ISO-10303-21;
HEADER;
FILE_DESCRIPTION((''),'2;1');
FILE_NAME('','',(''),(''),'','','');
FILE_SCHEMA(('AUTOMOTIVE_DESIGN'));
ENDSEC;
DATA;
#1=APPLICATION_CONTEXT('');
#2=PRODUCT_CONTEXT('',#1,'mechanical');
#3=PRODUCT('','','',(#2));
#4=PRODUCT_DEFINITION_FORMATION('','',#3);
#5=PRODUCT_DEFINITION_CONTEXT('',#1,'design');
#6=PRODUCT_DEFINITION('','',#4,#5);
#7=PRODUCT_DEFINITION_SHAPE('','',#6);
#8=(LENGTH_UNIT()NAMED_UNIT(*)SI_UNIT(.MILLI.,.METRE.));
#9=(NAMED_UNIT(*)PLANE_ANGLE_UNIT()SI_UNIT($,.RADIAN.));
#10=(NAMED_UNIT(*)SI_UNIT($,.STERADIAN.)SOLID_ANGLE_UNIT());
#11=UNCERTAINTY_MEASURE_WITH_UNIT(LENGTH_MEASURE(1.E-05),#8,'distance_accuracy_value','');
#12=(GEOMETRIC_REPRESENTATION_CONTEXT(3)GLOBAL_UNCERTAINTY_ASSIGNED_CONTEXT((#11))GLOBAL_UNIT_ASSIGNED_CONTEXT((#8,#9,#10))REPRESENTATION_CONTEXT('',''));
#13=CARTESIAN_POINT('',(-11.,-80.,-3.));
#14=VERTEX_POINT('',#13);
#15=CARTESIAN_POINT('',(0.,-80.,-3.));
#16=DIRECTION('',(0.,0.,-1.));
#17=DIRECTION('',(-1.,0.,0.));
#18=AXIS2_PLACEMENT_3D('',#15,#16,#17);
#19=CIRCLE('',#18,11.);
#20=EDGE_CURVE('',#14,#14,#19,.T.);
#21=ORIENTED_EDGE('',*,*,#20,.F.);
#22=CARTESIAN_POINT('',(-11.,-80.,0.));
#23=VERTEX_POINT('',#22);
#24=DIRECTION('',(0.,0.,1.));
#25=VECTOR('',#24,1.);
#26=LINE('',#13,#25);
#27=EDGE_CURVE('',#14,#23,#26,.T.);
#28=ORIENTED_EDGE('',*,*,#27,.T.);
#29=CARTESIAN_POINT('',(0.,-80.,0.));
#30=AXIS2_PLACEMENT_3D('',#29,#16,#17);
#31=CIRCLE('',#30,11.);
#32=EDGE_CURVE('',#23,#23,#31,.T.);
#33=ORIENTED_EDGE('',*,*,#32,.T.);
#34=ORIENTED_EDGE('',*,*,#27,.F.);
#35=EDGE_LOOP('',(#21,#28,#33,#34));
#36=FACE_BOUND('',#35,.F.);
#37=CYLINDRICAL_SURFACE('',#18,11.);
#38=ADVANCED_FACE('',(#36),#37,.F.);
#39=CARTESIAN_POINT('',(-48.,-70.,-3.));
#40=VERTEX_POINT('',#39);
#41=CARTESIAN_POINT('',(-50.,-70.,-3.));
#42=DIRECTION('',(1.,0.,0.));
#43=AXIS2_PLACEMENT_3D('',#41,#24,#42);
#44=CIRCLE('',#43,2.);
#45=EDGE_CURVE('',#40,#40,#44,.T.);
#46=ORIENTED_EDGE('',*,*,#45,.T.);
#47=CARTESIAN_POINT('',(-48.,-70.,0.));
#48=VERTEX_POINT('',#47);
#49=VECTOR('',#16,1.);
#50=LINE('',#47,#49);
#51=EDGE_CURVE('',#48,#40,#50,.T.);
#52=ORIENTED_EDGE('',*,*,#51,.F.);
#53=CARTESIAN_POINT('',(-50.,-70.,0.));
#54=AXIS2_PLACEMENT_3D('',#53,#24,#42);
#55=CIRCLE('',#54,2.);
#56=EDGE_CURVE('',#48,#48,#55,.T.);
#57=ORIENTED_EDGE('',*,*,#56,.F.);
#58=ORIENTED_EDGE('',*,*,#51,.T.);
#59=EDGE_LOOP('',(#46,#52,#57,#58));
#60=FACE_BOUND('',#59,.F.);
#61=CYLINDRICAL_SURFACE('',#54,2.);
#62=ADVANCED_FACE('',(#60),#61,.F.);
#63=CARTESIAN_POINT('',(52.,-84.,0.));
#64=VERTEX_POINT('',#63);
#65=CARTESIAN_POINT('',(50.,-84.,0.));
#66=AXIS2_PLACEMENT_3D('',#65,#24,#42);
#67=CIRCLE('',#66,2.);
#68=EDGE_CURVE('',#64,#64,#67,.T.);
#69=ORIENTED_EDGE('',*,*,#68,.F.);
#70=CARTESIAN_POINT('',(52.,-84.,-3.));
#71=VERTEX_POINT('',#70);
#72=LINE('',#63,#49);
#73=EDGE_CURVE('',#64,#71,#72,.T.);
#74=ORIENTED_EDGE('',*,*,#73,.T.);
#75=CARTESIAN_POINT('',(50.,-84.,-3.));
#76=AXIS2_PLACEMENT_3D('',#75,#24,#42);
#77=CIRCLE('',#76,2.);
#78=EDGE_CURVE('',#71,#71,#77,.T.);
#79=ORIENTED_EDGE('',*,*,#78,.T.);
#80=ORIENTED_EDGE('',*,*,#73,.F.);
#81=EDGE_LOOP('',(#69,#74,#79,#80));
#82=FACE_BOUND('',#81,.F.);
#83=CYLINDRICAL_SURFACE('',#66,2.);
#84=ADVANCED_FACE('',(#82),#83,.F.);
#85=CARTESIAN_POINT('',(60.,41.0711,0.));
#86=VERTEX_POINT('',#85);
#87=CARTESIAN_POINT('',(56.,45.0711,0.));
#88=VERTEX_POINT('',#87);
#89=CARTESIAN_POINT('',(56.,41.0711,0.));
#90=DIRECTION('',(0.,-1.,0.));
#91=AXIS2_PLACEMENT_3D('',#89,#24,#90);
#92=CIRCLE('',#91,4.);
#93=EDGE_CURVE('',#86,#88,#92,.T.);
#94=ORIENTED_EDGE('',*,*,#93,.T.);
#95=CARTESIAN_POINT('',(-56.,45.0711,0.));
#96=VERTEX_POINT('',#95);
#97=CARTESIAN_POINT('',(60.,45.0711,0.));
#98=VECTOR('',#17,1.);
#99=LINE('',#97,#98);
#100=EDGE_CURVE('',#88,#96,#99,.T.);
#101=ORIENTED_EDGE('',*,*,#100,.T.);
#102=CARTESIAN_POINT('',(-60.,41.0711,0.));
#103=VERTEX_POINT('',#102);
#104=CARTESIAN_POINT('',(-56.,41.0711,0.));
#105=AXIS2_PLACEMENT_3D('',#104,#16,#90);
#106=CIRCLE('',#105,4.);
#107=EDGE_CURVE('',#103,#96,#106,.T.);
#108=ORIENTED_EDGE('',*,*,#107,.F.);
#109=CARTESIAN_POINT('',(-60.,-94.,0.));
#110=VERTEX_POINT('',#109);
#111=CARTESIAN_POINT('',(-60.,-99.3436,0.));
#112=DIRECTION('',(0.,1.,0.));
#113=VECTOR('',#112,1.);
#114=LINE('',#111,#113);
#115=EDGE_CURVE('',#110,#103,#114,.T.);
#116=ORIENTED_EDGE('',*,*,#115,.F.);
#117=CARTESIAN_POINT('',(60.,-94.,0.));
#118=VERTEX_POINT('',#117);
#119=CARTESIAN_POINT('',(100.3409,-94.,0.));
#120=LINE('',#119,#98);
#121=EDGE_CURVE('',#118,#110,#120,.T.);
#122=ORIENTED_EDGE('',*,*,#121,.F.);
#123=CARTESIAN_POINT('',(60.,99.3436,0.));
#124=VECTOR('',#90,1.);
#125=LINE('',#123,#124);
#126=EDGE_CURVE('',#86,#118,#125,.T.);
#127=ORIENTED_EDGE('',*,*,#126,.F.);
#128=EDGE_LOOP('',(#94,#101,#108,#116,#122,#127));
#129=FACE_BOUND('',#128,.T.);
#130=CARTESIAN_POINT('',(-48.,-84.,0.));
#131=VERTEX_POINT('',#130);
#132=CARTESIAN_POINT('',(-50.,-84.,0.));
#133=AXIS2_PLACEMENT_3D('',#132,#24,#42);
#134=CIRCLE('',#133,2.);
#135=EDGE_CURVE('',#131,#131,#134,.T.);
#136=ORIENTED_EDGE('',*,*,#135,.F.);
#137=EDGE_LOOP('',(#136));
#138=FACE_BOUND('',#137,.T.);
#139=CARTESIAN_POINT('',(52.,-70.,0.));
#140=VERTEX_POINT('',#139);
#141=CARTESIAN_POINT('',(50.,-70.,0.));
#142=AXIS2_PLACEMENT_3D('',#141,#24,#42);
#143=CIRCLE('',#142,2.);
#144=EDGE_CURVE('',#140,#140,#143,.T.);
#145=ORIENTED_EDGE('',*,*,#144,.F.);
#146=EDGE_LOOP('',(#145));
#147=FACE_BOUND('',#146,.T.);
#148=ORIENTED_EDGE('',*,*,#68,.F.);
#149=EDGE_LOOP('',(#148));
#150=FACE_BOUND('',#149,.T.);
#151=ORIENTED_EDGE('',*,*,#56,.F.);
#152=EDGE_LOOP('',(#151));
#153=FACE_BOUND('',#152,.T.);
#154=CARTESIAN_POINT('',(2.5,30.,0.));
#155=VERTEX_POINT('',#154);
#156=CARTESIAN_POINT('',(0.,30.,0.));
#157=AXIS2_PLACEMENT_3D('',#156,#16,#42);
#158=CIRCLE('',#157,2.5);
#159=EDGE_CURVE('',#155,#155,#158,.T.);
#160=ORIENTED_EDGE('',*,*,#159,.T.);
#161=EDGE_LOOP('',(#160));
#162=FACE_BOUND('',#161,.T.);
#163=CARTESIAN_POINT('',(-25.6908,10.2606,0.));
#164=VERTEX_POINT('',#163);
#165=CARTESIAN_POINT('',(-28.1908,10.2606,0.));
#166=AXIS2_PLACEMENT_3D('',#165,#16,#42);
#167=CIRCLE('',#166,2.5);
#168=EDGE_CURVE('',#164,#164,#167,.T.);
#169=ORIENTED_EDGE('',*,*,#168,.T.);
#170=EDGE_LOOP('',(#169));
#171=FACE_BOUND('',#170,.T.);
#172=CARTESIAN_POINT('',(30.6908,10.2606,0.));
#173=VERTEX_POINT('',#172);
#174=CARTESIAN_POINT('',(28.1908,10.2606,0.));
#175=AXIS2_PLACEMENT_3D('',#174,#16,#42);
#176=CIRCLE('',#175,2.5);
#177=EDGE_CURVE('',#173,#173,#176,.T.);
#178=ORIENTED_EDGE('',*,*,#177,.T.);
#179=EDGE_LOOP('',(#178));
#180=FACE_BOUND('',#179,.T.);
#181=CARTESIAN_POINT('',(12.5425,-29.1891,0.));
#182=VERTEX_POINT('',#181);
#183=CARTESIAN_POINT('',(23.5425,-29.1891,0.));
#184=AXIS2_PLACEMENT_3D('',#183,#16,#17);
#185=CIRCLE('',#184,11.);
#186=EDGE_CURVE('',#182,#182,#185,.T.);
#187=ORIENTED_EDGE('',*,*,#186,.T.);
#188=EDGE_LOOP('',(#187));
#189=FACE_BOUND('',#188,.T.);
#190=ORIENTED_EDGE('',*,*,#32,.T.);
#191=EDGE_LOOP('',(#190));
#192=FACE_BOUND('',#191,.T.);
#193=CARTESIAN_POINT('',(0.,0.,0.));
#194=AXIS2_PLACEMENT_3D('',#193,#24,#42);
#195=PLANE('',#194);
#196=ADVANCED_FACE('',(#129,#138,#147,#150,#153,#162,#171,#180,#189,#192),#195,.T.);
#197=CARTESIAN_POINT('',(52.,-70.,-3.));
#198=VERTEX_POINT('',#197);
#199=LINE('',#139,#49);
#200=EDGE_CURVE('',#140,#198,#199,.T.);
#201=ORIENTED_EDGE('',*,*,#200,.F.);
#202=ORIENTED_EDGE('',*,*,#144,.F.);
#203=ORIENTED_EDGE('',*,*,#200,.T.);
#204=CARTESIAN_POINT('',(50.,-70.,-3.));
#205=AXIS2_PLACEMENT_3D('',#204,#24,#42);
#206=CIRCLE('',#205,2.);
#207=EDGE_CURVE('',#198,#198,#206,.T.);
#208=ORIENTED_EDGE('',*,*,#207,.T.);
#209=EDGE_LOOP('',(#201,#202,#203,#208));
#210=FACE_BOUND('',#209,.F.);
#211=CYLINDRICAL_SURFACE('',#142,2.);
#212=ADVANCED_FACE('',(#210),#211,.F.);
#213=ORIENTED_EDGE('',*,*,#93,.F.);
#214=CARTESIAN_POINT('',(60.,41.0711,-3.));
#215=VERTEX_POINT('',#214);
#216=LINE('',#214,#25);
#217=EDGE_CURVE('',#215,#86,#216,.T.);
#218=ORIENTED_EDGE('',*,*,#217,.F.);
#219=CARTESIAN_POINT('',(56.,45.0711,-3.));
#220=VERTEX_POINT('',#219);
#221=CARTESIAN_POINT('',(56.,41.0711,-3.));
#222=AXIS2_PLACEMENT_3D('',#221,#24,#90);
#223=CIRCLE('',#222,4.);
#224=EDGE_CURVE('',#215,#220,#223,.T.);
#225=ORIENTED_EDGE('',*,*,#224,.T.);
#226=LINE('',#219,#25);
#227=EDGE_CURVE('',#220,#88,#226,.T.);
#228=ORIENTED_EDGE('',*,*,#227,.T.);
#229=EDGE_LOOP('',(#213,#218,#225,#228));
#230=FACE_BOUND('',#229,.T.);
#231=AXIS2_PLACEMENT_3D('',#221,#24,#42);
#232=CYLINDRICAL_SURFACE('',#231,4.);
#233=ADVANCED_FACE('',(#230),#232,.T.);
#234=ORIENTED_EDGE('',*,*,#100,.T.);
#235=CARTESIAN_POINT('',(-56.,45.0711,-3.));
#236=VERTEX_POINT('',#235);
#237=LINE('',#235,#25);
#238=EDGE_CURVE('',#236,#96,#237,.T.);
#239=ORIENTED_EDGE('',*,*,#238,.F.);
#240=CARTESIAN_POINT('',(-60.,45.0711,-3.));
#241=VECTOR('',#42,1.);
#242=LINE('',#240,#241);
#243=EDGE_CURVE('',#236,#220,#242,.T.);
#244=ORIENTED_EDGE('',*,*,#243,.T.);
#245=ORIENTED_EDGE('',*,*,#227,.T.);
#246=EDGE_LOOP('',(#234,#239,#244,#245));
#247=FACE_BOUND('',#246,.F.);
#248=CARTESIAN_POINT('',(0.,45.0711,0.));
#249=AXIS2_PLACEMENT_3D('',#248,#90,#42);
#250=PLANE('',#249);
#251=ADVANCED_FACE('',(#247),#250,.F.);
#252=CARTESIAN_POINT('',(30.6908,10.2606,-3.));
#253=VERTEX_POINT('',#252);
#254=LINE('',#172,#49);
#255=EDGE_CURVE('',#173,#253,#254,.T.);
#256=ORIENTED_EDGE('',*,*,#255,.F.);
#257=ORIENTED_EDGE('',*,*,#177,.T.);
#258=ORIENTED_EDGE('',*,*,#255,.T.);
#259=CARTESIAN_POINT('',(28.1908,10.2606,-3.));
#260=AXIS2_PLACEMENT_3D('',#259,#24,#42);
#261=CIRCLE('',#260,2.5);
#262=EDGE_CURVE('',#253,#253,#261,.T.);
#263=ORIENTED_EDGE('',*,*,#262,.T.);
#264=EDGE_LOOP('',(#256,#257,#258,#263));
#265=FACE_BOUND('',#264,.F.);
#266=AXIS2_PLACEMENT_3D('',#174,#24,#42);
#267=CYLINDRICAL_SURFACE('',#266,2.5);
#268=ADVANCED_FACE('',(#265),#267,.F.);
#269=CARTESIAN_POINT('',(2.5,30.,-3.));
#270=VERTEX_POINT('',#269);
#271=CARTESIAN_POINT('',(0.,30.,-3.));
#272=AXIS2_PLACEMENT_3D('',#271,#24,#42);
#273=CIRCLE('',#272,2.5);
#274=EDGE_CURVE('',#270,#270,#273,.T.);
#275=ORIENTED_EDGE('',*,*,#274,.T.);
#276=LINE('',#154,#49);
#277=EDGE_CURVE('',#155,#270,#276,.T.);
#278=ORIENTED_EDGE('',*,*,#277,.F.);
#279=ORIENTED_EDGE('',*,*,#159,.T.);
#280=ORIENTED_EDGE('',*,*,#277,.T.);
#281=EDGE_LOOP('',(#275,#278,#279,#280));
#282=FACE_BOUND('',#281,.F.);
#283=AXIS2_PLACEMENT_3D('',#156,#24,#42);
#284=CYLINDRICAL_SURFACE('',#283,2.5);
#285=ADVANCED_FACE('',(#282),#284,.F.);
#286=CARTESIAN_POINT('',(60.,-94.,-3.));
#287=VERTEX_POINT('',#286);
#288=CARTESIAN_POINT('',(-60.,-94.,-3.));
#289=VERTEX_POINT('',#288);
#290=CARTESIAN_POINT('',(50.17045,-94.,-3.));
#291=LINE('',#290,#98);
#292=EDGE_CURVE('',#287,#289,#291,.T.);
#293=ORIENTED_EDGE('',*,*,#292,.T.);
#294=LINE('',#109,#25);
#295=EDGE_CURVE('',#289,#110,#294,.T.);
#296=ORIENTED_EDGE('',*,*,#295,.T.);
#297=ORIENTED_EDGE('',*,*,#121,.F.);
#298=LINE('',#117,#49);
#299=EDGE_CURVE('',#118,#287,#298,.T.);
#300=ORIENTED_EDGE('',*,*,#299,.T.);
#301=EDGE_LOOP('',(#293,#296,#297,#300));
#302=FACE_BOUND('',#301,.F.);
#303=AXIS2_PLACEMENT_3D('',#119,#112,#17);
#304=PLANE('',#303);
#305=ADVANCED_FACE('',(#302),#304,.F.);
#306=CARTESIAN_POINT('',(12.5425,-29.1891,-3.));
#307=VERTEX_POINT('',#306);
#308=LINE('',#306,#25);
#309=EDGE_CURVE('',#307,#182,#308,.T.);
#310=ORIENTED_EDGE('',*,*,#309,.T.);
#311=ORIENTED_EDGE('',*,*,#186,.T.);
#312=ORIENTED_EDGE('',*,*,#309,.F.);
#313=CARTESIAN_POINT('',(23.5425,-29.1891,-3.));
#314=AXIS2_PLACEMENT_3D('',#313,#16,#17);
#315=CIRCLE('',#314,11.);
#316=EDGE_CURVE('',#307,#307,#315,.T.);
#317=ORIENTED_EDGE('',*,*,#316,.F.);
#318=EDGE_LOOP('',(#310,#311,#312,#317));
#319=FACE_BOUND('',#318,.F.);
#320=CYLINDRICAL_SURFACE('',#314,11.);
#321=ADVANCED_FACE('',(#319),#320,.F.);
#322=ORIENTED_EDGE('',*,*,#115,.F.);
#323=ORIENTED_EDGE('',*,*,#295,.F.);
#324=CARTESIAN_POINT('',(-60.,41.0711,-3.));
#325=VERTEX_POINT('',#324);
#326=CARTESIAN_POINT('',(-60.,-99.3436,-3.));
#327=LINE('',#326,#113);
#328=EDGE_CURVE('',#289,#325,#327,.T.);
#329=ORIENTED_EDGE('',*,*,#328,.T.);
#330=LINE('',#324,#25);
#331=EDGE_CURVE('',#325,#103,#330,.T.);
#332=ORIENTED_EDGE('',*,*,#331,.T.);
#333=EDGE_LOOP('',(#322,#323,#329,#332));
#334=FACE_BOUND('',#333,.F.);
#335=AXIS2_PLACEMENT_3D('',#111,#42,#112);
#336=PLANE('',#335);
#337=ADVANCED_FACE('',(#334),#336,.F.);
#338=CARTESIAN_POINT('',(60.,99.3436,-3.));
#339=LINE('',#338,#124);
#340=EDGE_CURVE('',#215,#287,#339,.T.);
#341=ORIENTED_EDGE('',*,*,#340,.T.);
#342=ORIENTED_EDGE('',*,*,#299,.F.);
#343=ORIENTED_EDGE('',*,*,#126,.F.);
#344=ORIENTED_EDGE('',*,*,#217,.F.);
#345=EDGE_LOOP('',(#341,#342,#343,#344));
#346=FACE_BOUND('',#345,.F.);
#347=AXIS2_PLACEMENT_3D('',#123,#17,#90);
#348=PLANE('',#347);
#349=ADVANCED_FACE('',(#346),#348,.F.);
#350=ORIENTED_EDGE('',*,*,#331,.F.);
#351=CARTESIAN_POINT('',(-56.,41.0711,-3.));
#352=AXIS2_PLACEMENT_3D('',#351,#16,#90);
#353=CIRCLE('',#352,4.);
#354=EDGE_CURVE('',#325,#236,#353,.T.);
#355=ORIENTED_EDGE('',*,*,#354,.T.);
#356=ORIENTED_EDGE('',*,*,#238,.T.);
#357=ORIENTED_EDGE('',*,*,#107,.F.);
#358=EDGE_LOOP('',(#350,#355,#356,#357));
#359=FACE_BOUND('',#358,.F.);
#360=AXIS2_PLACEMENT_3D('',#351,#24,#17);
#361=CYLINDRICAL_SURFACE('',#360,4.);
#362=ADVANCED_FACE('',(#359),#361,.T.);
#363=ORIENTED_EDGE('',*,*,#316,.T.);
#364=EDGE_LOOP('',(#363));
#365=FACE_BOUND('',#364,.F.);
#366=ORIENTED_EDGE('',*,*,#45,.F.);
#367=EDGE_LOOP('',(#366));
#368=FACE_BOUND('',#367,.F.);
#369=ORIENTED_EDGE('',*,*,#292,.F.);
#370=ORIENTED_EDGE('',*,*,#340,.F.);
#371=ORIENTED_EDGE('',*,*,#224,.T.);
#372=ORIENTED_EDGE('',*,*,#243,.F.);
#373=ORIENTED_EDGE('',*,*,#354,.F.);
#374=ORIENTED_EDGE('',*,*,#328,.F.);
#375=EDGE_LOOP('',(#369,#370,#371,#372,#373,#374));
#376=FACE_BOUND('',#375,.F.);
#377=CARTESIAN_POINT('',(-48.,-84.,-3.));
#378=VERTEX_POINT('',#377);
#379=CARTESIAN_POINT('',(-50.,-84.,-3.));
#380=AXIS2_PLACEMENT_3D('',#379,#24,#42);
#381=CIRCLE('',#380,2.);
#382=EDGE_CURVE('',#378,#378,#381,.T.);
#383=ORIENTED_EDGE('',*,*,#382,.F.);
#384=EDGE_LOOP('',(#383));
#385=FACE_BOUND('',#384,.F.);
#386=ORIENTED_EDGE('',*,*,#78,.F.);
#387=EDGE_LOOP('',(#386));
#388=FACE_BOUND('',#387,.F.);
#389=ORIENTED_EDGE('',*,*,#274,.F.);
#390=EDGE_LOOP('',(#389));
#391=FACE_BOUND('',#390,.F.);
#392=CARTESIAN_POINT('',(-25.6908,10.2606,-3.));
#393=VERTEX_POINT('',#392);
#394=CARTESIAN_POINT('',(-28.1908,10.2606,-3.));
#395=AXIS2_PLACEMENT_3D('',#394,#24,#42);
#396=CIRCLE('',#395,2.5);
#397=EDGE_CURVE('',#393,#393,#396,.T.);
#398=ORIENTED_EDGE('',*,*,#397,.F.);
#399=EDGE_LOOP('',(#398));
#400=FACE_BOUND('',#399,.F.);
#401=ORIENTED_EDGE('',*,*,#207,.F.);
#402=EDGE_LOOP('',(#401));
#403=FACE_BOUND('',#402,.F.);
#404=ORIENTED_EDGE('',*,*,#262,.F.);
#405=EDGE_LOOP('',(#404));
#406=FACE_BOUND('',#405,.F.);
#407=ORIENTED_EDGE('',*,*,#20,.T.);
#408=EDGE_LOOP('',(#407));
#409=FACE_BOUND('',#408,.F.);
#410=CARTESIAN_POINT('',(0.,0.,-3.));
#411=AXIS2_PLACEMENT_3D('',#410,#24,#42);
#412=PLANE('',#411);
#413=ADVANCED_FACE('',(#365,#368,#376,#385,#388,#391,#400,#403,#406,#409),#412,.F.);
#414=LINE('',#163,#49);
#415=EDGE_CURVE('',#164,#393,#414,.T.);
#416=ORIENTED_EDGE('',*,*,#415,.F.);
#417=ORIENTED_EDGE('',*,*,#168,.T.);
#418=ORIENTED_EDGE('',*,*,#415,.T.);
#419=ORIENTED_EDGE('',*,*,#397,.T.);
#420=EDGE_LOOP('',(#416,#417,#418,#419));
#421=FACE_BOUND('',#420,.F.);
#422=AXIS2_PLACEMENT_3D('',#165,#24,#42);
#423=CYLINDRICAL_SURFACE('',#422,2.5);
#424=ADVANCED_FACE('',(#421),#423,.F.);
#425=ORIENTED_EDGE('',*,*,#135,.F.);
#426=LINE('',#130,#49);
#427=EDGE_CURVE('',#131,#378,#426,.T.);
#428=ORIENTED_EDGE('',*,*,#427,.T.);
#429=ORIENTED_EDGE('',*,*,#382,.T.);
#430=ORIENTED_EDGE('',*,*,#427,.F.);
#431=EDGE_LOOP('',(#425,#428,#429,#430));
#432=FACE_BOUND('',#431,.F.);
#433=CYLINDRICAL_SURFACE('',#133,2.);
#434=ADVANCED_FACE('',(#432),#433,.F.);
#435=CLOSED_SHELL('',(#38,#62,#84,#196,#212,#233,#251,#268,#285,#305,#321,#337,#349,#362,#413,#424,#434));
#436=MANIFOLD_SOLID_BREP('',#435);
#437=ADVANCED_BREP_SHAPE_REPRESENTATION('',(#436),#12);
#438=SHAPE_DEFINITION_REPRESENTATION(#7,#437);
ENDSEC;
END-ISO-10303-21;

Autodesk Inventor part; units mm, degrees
ref_plane "YZ Plane" through (0, 0, 0) normal (1, 0, 0) x (0, 1, 0)
ref_plane "XZ Plane" through (0, 0, 0) normal (0, 1, 0) x (-1, 0, 0)
ref_plane "XY Plane" through (0, 0, 0) normal (0, 0, 1) x (1, 0, 0)
sketch "スケッチ1" plane through (0, 0, 0) normal (0, 0, 1) x (1, 0, 0)
  circle A0 centre (0, 0) radius 7.5
  circle A1 centre (0, 0) radius 30
  circle A2 centre (0, 0) radius 37.5
  circle A3 centre (23.5425, -29.1891) radius 30
  circle A4 centre (23.5425, -29.1891) radius 4
  circle A5 centre (23.5425, -29.1891) radius 16
  circle A6 centre (23.5425, -29.1891) radius 56
  circle A7 centre (0, -80) radius 40
  circle A8 centre (0, -80) radius 50
  circle A9 centre (0, -80) radius 4
  dimension "d57" = 75
  dimension "d64" = 112
  dimension "d41" = 15
  dimension "d58" = 8
  dimension "d63" = 32
  dimension "d65" = 100
  dimension "d66" = 8
sketch "スケッチ2" plane through (0, 0, 0) normal (0, 0, 1) x (1, 0, 0)
  line L0 (0, 0) -> (24.502, 0) construction
  line L1 (0, 0) -> (12.5, 0) construction
  line L2 (0, 0) -> (10.253, 10.253)
  line L3 (0, 0) -> (14.5, 0) construction
  line L4 (10.253, 10.253) -> (-10.253, -10.253)
  circle A0 centre (10.253, 10.253) radius 2
  circle A1 centre (-10.253, -10.253) radius 2
  circle A2 centre (0, 0) radius 7.5
  line L5 (0, 0) -> (28.1908, 10.2606)
  line L6 (0, 0) -> (30, 0) construction
  line L7 (0, 0) -> (-28.1908, 10.2606)
  line L8 (0, 0) -> (30, 0) construction
  circle A3 centre (-28.1908, 10.2606) radius 2.5
  line L9 (0, 0) -> (0, 30)
  circle A4 centre (0, 30) radius 2.5
  circle A5 centre (28.1908, 10.2606) radius 2.5
  dimension "d9" = 14.5
  dimension "d10" = 45
  dimension "d11" = 29
  dimension "d12" = 4
  dimension "d13" = 4
  dimension "d14" = 15
  dimension "d15" = 30
  dimension "d16" = 20
  dimension "d17" = 30
  dimension "d18" = 160
  dimension "d19" = 5
  dimension "d20" = 30
  dimension "d21" = 5
  dimension "d22" = 5
sketch "スケッチ3" plane through (0, 0, 0) normal (0, 0, 1) x (1, 0, 0)
  line L0 (60, -99.3436) -> (-60, -99.3436)
  line L1 (-60, -99.3436) -> (-60, 99.3436)
  line L2 (-60, 99.3436) -> (60, 99.3436)
  line L3 (60, 99.3436) -> (60, -99.3436)
  line L4 (60, -99.3436) -> (-60, 99.3436) construction
  line L5 (-60, -99.3436) -> (60, 99.3436) construction
  point P0 (0, 0)
  dimension "d25" = 120
extrude "押し出し1" add sketch "スケッチ3" against normal blind 3
sketch "スケッチ4" plane through (0, 0, 0) normal (0, 0, 1) x (1, 0, 0)
  line L0 (0, 45.0711) -> (68.3595, 45.0711)
  line L1 (68.3595, 45.0711) -> (-74.3824, 45.0711)
  line L2 (-74.3824, 45.0711) -> (108.1656, 45.0711)
  line L3 (108.1656, 45.0711) -> (108.1656, 129.4154)
  line L4 (108.1656, 129.4154) -> (-74.3824, 129.4154)
  line L5 (-74.3824, 129.4154) -> (-74.3824, 45.0711)
  point P0 (0, 0)
extrude "押し出し4" cut sketch "スケッチ4" against normal blind 10
fillet "フィレット1" radius 4 4 edges at (-60, 45.0711, -1.5) (60, 45.0711, -1.5) (-60, -99.3436, -1.5) (60, -99.3436, -1.5)
extrude "押し出し9" cut sketch "スケッチ1" against normal blind 10 contours A4 A2 | A2 A4 | A9 A6 | A6 A9
sketch "スケッチ8" plane through (0, 0, 0) normal (0, 0, 1) x (1, 0, 0)
  line L0 (-265.6992, -158.784) -> (100.3409, -158.784)
  line L1 (100.3409, -158.784) -> (100.3409, -94)
  line L2 (100.3409, -94) -> (-265.6992, -94)
  line L3 (-265.6992, -94) -> (-265.6992, -158.784)
  line L4 (-265.6992, -158.784) -> (100.3409, -94) construction
  line L5 (100.3409, -158.784) -> (-265.6992, -94) construction
  point P0 (0, 0)
  point P1 (0, -94)
  point P2 (-82.6791, -126.392)
extrude "押し出し10" cut sketch "スケッチ8" against normal blind 10
extrude "押し出し11" cut sketch "スケッチ2" against normal blind 10 contours A5 | A3 | A4
sketch "スケッチ9" plane through (0, 0, 0) normal (0, 0, 1) x (1, 0, 0)
  circle A0 centre (-50, -84) radius 2
  circle A1 centre (50, -84) radius 2
  circle A2 centre (-50, -70) radius 2
  circle A3 centre (50, -70) radius 2
  point P0 (0, 0)
  dimension "d73" = 4
  dimension "d74" = 4
  dimension "d75" = 4
  dimension "d76" = 4
extrude "押し出し12" cut sketch "スケッチ9" against normal blind 10
sketch "スケッチ10" plane through (0, 0, -3) normal (0, 0, -1) x (-1, 0, 0)
  circle A0 centre (-23.5425, -29.1891) radius 4 projected
  circle A1 centre (-23.5425, -29.1891) radius 11
  circle A2 centre (0, -80) radius 4 projected
  circle A3 centre (0, -80) radius 11
  point P0 (0, 0)
  dimension "d79" = 22
  dimension "d80" = 22
extrude "押し出し13" cut sketch "スケッチ10" against normal blind 10
properties part number "板2" material "アルミニウム 6061"
